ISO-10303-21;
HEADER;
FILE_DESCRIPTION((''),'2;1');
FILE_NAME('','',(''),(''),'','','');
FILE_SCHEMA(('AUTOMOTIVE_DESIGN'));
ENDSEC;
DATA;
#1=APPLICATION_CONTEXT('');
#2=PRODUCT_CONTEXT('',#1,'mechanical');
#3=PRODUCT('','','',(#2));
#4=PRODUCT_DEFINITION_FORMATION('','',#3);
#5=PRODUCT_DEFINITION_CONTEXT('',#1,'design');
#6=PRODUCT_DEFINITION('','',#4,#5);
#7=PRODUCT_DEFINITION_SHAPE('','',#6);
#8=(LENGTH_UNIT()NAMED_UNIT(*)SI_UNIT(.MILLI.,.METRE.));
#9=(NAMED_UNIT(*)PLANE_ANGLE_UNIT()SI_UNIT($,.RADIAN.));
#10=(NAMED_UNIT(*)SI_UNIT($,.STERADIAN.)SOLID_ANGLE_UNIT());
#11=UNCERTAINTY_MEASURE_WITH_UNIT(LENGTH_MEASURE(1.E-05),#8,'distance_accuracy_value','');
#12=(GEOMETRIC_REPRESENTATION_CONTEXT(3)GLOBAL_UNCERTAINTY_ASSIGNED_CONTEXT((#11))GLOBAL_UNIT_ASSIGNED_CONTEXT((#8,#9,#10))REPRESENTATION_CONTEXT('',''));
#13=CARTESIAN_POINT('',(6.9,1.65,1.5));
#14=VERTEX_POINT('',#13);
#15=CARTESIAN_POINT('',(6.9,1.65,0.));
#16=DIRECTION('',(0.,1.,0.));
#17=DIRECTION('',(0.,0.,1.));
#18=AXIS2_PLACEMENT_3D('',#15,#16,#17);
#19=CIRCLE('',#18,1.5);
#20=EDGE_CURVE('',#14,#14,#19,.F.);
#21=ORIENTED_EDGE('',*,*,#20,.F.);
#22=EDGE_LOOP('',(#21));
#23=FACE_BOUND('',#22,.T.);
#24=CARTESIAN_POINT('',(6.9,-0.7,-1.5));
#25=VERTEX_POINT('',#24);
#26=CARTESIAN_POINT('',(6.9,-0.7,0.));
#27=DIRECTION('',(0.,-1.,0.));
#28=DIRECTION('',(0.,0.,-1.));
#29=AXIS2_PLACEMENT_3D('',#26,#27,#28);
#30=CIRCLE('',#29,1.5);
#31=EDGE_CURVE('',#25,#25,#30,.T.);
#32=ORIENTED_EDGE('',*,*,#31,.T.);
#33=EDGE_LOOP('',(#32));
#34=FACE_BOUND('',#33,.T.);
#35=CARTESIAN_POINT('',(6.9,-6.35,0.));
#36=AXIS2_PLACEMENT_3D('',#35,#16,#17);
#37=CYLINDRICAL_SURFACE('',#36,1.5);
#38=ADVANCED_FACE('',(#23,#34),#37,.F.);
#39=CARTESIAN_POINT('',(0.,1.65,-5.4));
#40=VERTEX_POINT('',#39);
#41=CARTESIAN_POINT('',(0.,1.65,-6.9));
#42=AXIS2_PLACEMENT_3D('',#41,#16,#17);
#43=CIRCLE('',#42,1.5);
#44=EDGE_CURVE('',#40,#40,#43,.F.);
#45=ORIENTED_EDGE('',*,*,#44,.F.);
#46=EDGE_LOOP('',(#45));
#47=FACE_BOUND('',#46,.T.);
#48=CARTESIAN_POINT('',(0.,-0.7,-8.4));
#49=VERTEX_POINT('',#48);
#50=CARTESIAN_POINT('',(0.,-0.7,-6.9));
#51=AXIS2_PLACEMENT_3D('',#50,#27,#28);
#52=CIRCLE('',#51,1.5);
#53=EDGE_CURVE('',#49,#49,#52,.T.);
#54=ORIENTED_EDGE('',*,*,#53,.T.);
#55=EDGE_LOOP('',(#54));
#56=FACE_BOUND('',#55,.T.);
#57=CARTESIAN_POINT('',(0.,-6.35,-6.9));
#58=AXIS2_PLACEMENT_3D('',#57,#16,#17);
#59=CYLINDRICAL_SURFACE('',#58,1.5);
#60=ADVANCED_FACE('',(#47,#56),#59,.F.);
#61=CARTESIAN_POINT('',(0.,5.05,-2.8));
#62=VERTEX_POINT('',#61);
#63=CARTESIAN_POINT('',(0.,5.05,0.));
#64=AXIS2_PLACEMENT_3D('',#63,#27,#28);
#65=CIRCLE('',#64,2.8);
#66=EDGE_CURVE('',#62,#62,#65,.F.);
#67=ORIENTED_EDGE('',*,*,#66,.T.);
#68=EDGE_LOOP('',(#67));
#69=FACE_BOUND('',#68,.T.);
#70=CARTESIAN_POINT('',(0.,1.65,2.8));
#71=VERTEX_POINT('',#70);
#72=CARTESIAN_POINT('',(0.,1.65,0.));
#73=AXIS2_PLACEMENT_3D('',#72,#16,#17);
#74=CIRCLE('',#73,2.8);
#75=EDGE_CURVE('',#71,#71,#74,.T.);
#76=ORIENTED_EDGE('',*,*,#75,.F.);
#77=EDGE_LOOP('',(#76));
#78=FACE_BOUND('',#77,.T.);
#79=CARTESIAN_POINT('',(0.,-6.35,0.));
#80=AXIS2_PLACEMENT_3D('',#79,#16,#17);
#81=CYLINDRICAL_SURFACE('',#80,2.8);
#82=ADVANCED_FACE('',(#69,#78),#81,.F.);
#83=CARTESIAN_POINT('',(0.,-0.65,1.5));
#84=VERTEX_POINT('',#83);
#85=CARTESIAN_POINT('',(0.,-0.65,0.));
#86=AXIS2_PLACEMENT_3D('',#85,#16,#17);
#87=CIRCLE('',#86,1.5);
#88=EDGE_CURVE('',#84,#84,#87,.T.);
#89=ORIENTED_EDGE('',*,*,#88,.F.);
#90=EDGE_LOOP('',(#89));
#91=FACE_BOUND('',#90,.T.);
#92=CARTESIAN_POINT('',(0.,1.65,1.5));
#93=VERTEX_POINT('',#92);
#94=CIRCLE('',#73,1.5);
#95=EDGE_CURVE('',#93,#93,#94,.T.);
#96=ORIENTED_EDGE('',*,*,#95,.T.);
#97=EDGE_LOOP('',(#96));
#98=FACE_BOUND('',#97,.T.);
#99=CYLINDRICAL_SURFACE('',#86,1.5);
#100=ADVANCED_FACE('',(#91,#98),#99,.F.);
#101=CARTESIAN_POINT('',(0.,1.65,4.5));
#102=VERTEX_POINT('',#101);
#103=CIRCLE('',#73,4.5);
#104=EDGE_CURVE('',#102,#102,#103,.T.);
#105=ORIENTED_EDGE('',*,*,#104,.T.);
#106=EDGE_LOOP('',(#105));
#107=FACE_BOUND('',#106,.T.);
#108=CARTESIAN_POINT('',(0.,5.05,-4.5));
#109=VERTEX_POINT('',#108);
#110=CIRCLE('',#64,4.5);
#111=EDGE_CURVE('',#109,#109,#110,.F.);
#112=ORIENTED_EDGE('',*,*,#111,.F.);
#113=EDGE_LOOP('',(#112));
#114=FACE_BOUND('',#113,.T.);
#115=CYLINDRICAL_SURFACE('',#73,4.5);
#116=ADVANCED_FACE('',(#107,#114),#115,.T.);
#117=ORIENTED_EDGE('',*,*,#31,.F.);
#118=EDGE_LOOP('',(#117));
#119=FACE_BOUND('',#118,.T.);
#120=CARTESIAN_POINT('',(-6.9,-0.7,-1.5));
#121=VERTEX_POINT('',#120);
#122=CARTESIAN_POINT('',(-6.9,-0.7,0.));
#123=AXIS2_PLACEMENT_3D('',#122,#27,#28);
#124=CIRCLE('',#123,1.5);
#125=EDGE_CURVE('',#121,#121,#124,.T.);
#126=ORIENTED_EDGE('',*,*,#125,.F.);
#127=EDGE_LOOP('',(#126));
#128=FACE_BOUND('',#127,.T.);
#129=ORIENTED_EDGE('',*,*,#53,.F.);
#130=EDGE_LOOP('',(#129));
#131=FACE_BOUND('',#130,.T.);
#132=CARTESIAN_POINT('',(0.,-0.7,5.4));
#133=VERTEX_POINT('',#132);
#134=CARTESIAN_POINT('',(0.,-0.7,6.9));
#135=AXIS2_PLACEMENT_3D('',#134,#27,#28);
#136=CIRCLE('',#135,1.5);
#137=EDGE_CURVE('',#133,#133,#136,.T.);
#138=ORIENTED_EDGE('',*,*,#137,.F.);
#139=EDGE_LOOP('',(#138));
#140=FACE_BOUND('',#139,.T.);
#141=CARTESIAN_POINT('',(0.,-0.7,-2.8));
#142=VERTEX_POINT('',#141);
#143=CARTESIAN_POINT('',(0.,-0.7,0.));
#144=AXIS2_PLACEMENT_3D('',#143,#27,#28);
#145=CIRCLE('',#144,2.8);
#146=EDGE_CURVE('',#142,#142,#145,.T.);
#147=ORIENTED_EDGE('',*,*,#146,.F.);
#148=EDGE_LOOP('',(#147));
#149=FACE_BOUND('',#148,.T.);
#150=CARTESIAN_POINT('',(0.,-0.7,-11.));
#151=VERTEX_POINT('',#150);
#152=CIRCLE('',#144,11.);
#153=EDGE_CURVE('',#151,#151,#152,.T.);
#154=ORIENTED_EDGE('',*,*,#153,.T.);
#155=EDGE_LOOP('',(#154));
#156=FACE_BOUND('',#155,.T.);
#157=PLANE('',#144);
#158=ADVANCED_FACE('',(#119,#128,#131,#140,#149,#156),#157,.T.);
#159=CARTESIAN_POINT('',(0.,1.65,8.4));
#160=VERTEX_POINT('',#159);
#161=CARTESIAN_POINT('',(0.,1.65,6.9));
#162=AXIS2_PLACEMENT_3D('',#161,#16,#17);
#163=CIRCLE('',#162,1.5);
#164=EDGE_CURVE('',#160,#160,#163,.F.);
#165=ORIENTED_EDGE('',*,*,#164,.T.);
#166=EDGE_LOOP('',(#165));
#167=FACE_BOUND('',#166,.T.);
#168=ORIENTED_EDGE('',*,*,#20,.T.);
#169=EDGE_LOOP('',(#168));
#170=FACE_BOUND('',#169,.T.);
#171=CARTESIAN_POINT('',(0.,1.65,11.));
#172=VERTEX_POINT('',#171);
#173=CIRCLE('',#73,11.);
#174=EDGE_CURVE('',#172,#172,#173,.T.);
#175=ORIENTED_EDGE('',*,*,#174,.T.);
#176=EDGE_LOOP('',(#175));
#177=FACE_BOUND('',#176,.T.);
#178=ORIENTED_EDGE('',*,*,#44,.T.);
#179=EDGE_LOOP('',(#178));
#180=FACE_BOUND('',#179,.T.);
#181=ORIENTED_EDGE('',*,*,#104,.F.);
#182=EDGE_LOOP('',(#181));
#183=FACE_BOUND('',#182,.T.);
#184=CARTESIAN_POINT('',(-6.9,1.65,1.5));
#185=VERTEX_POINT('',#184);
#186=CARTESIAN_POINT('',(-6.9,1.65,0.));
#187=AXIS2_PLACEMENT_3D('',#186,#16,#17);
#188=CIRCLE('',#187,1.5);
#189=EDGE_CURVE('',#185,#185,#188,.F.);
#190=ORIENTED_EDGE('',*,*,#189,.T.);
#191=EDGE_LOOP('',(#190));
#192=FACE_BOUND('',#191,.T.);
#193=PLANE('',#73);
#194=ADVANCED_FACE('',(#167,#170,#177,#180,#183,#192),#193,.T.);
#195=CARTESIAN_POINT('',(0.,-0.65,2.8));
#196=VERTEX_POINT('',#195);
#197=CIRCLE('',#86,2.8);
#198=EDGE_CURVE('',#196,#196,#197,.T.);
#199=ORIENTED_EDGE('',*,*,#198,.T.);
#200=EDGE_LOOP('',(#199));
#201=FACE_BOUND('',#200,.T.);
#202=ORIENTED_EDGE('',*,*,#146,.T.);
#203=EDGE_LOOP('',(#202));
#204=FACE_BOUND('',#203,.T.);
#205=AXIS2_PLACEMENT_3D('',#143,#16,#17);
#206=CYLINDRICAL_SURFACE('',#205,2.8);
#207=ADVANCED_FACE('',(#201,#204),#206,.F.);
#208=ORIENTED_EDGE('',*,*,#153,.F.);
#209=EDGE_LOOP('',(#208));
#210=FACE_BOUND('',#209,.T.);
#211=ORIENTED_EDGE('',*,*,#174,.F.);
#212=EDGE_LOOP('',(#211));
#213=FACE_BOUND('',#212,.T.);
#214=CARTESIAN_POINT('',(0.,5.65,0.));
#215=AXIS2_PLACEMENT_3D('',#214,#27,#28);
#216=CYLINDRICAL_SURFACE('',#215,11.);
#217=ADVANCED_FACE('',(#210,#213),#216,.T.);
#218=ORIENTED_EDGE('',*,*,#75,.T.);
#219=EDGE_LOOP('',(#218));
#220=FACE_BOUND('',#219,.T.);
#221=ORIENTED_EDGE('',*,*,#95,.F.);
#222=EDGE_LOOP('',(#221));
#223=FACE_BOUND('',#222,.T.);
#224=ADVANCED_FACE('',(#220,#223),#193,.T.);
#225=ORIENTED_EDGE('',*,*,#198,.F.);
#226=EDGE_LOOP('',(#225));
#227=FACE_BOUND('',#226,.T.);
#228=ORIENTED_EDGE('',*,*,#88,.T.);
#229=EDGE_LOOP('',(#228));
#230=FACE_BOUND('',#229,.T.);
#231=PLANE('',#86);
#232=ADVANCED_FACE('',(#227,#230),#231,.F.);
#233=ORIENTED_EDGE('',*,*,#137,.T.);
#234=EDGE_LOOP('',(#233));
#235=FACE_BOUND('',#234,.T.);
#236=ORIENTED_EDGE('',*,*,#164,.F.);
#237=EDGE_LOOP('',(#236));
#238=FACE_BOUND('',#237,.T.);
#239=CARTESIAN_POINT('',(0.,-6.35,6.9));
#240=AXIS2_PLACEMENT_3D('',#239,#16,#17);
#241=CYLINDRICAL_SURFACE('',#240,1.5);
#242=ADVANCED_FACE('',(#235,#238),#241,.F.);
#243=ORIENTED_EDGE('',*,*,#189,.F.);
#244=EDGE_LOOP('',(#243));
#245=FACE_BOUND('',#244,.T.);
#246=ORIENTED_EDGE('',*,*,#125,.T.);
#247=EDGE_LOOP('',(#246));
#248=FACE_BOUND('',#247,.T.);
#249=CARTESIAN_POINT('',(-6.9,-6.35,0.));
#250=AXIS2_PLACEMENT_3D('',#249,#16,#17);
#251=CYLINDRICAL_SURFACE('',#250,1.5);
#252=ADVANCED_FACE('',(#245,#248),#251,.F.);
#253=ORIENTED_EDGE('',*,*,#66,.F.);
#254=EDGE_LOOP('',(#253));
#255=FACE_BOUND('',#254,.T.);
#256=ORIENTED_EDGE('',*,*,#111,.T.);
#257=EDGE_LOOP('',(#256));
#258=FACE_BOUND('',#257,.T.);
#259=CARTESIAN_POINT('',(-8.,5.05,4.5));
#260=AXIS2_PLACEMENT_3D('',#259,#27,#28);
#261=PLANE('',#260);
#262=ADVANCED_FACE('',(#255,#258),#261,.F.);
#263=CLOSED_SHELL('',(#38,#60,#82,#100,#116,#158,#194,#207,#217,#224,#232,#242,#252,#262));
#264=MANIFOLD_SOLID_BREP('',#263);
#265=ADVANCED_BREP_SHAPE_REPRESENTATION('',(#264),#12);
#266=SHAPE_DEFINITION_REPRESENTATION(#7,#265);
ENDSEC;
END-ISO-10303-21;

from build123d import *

# Parameters (mm, degrees)
SKETCH1_R           = 11
BOSS_EXTRUDE2_DEPTH = 5.65
SKETCH3_R           = 2.8
SKETCH3_R_2         = 1.5
CUT_EXTRUDE2_DEPTH  = 12
CUT_EXTRUDE3_START  = -4
SKETCH4_R           = 11
SKETCH4_R_2         = 4.5
CUT_EXTRUDE3_DEPTH  = 4
SKETCH5_W           = 9
SKETCH5_H           = 0.6
CUT_EXTRUDE4_DEPTH  = 18
SKETCH6_R           = 2.8
SKETCH6_R_2         = 1.5
BOSS_EXTRUDE4_DEPTH = 2.3
SKETCH7_R           = 11
SKETCH7_R_2         = 2.8
SKETCH7_R_3         = 1.5
BOSS_EXTRUDE5_DEPTH = 0.7


with BuildPart() as part:
    # Sketch1 → Boss-Extrude2 (new body)
    with BuildSketch(Plane(origin=(0, 0, 0), x_dir=(1, 0, 0), z_dir=(0, 1, 0))):
        with Locations(Location((0, 0, 0), (0, 0, 270))):
            Circle(SKETCH1_R)
    extrude(amount=BOSS_EXTRUDE2_DEPTH)

    # Sketch3 → Cut-Extrude2 (cut)
    with BuildSketch(Plane(origin=(0, 5.65, 0), x_dir=(1, 0, 0), z_dir=(0, 1, 0))):
        with Locations(Location((0, 0, 0), (0, 0, 270))):
            Circle(SKETCH3_R)
        with Locations(Location((-6.9, 0, 0), (0, 0, 270))):
            Circle(SKETCH3_R_2)
        with Locations(Location((0, 6.9, 0), (0, 0, 270))):
            Circle(SKETCH3_R_2)
        with Locations(Location((6.9, 0, 0), (0, 0, 270))):
            Circle(SKETCH3_R_2)
        with Locations(Location((0, -6.9, 0), (0, 0, 270))):
            Circle(SKETCH3_R_2)
    extrude(amount=-CUT_EXTRUDE2_DEPTH, mode=Mode.SUBTRACT)

    # Sketch4 → Cut-Extrude3 (cut)
    with BuildSketch(Plane(origin=(0, 5.65, 0), x_dir=(1, 0, 0), z_dir=(0, 1, 0)).offset(CUT_EXTRUDE3_START)):
        with Locations(Location((0, 0, 0), (0, 0, 270))):
            Circle(SKETCH4_R)
        with Locations(Location((0, 0, 0), (0, 0, 270))):
            Circle(SKETCH4_R_2, mode=Mode.SUBTRACT)
    extrude(amount=CUT_EXTRUDE3_DEPTH, mode=Mode.SUBTRACT)

    # Sketch5 → Cut-Extrude4 (cut)
    with BuildSketch(Plane(origin=(10, 0, 0), x_dir=(0, 0, -1), z_dir=(1, 0, 0))):
        with Locations((0, 5.35)):
            Rectangle(SKETCH5_W, SKETCH5_H)
    extrude(amount=-CUT_EXTRUDE4_DEPTH, mode=Mode.SUBTRACT)

    # Sketch6 → Boss-Extrude4 (add)
    with BuildSketch(Plane(origin=(0, 1.65, 0), x_dir=(1, 0, 0), z_dir=(0, 1, 0))):
        with Locations(Location((0, 0, 0), (0, 0, 270))):
            Circle(SKETCH6_R)
        with Locations(Location((0, 0, 0), (0, 0, 270))):
            Circle(SKETCH6_R_2, mode=Mode.SUBTRACT)
    extrude(amount=-BOSS_EXTRUDE4_DEPTH)

    # Sketch7 → Boss-Extrude5 (add)
    with BuildSketch(Plane.XZ):
        with Locations(Location((0, 0, 0), (0, 0, 270))):
            Circle(SKETCH7_R)
        with Locations(Location((0, 0, 0), (0, 0, 90))):
            Circle(SKETCH7_R_2, mode=Mode.SUBTRACT)
        with Locations(Location((0, 6.9, 0), (0, 0, 90))):
            Circle(SKETCH7_R_3, mode=Mode.SUBTRACT)
        with Locations(Location((6.9, 0, 0), (0, 0, 90))):
            Circle(SKETCH7_R_3, mode=Mode.SUBTRACT)
        with Locations(Location((0, -6.9, 0), (0, 0, 90))):
            Circle(SKETCH7_R_3, mode=Mode.SUBTRACT)
        with Locations(Location((-6.9, 0, 0), (0, 0, 90))):
            Circle(SKETCH7_R_3, mode=Mode.SUBTRACT)
    extrude(amount=BOSS_EXTRUDE5_DEPTH)


solid = part.part
